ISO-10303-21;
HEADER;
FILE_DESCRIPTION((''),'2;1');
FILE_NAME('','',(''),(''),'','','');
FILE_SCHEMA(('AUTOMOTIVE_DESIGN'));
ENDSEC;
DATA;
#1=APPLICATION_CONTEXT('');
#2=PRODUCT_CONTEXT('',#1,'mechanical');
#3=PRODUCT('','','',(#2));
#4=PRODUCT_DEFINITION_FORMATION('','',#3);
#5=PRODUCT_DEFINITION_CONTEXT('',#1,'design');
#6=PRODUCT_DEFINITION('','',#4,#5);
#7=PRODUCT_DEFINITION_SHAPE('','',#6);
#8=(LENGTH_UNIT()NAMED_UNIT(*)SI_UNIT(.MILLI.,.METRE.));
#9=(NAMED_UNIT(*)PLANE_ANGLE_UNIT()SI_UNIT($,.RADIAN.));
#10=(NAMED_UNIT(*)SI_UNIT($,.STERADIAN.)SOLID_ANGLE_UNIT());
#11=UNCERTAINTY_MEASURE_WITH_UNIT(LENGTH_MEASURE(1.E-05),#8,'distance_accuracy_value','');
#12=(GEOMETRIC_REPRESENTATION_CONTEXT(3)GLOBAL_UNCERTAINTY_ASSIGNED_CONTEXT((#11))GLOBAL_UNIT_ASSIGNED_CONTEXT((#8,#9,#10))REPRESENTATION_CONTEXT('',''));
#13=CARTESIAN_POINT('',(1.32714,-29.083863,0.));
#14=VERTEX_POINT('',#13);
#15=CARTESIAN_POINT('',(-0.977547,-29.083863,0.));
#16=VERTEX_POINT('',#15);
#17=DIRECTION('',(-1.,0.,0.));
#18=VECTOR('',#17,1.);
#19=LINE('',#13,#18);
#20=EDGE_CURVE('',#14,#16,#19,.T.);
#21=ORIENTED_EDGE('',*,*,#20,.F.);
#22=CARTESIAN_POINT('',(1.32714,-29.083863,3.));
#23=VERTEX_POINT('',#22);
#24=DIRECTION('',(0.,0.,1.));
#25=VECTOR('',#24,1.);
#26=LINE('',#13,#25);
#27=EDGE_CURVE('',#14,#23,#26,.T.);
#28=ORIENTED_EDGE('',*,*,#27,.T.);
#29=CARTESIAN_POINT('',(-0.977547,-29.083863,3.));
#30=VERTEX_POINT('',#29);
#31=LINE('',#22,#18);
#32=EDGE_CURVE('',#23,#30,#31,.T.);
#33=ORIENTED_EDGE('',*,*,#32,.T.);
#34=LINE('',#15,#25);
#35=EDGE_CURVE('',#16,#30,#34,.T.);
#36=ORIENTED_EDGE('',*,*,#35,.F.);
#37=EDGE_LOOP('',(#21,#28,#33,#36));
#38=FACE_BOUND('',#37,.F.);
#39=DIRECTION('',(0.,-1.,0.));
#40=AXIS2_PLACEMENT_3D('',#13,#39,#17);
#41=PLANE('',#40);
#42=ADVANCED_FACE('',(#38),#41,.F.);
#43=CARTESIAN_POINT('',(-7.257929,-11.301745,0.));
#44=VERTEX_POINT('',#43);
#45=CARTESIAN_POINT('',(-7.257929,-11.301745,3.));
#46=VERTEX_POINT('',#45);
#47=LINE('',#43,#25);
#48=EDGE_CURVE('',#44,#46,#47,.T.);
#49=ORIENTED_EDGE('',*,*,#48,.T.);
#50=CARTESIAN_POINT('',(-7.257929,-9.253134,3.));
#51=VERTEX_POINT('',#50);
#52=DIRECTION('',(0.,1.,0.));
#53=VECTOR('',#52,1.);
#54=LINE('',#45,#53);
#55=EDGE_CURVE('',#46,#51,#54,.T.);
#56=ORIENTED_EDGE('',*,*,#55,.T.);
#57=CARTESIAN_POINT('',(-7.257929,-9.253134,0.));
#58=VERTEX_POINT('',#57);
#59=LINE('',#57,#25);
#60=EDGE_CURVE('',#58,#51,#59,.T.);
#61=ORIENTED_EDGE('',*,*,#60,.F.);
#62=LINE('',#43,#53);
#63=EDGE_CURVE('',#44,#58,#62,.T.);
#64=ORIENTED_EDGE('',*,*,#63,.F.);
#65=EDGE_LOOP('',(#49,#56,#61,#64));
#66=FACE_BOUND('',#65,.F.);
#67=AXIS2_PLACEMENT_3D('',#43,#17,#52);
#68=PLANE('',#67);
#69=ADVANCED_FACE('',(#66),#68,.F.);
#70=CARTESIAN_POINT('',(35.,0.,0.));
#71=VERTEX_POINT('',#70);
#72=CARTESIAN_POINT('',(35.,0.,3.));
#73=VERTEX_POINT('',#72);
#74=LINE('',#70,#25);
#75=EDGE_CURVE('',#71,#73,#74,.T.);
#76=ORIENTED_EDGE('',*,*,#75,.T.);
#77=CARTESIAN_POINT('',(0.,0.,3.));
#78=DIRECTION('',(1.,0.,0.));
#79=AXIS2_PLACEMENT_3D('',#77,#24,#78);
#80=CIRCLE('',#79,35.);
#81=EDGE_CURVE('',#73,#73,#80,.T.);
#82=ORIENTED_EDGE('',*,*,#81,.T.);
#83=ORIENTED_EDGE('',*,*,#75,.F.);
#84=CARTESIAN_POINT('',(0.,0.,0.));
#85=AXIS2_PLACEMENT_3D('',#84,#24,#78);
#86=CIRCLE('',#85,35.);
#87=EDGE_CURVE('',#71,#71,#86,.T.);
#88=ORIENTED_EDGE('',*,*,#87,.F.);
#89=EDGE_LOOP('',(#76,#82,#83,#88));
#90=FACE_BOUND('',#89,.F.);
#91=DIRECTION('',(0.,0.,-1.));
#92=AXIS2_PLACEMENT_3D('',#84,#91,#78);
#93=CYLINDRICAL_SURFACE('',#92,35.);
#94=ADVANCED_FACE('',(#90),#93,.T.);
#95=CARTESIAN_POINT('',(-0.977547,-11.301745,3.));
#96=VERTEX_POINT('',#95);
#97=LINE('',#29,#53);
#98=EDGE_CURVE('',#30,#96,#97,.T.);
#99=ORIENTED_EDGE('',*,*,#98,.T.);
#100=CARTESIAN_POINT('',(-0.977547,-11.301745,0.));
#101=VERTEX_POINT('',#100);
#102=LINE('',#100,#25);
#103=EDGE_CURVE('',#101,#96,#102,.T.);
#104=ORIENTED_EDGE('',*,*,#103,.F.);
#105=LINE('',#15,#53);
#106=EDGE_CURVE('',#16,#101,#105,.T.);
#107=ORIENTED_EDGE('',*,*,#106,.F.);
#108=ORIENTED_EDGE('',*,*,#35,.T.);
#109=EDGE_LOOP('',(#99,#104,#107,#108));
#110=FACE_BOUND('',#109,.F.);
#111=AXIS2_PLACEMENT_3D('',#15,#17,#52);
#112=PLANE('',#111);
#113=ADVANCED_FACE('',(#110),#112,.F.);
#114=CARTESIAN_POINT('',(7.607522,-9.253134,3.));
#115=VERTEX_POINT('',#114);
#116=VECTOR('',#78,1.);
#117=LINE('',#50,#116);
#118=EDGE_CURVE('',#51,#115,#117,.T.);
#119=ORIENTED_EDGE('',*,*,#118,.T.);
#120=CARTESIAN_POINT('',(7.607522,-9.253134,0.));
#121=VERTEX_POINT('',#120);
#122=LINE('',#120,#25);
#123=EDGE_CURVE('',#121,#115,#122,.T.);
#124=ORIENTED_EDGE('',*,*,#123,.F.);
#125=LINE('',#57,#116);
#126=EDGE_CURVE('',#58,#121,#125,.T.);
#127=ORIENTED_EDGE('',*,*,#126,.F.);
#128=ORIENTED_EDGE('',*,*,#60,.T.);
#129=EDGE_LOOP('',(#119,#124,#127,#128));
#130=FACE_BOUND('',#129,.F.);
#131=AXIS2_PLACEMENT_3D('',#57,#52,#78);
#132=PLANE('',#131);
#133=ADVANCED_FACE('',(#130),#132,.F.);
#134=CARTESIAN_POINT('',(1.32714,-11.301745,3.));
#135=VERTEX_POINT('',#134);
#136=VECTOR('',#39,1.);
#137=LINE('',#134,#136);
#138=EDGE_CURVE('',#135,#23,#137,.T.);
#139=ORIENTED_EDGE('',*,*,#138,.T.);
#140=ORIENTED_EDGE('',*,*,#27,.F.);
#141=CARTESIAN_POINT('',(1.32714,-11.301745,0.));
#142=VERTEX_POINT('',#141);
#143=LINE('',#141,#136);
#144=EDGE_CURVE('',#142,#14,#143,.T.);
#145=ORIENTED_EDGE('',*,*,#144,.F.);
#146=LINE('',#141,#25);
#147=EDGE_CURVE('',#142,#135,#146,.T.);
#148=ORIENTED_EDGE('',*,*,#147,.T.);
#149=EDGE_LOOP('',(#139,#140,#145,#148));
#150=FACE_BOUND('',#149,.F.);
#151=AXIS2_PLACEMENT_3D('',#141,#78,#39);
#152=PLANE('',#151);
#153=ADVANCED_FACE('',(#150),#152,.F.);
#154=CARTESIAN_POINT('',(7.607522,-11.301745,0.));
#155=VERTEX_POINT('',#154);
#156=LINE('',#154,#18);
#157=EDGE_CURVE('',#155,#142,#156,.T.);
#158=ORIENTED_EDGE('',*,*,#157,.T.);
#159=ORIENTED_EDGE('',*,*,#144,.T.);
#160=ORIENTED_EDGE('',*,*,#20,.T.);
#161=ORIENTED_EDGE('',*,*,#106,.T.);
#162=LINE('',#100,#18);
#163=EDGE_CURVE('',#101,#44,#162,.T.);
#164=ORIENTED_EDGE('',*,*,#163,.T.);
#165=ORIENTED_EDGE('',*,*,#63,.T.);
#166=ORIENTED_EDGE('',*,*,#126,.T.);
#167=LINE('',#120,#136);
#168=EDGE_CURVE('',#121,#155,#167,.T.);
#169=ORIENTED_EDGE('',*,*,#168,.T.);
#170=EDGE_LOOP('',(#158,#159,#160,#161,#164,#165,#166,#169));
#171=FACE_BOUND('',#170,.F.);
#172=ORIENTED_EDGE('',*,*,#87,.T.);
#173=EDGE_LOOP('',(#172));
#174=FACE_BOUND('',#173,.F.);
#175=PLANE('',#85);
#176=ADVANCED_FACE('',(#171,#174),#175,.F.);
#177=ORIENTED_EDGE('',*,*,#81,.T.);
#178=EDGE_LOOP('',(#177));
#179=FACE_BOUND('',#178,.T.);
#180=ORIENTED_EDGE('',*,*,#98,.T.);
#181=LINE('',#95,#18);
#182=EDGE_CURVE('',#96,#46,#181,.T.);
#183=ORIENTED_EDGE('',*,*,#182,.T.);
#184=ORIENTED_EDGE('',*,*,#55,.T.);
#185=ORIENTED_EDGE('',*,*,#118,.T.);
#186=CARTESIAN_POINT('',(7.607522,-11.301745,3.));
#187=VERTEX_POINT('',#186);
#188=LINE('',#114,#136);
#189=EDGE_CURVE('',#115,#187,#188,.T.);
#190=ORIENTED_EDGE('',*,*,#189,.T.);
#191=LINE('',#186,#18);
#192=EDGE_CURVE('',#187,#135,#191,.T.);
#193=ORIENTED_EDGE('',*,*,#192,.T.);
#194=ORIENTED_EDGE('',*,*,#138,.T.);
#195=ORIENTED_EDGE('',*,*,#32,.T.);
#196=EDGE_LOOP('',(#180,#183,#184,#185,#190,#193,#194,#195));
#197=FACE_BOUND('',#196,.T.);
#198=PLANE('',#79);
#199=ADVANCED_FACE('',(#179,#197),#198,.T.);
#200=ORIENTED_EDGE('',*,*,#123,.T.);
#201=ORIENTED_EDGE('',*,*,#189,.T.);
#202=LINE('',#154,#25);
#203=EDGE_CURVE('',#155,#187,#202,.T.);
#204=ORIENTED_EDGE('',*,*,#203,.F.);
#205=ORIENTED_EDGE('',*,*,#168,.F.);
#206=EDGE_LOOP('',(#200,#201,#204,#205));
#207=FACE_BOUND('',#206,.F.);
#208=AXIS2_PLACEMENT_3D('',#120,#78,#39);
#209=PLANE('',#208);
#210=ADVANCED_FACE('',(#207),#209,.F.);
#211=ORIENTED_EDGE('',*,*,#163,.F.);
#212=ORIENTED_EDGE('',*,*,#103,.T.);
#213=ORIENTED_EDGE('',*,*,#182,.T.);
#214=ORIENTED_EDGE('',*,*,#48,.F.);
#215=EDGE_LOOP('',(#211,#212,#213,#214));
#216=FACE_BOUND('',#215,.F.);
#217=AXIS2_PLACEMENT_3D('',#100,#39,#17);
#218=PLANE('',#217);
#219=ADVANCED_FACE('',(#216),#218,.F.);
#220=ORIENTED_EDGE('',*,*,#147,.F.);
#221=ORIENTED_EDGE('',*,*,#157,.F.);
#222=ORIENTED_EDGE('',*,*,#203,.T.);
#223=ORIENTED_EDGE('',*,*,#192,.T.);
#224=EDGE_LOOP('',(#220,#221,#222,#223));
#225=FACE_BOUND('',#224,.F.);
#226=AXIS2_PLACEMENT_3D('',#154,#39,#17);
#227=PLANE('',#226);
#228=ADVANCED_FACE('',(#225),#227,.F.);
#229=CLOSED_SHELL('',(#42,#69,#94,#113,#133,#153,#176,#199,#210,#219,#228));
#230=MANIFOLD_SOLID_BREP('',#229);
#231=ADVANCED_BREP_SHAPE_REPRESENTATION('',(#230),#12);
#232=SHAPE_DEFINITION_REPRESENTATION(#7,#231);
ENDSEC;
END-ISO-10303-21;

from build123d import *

# Parameters (mm, degrees)
F0_R     = 35
F1_DEPTH = 3


with BuildPart() as f1:
    # F0 (on Top) → F1 (new body)
    with BuildSketch(Plane.XY):
        Circle(F0_R)
        Polygon((1.3271400147, -11.3017448724), (1.3271400147, -29.083862928), (-0.9775474853, -29.083862928), (-0.9775474853, -11.3017448724), (-7.2579294297, -11.3017448724), (-7.2579294297, -9.2531337613), (7.6075219592, -9.2531337613), (7.6075219592, -11.3017448724), align=None, mode=Mode.SUBTRACT)
    extrude(amount=F1_DEPTH)


solid = f1.part
